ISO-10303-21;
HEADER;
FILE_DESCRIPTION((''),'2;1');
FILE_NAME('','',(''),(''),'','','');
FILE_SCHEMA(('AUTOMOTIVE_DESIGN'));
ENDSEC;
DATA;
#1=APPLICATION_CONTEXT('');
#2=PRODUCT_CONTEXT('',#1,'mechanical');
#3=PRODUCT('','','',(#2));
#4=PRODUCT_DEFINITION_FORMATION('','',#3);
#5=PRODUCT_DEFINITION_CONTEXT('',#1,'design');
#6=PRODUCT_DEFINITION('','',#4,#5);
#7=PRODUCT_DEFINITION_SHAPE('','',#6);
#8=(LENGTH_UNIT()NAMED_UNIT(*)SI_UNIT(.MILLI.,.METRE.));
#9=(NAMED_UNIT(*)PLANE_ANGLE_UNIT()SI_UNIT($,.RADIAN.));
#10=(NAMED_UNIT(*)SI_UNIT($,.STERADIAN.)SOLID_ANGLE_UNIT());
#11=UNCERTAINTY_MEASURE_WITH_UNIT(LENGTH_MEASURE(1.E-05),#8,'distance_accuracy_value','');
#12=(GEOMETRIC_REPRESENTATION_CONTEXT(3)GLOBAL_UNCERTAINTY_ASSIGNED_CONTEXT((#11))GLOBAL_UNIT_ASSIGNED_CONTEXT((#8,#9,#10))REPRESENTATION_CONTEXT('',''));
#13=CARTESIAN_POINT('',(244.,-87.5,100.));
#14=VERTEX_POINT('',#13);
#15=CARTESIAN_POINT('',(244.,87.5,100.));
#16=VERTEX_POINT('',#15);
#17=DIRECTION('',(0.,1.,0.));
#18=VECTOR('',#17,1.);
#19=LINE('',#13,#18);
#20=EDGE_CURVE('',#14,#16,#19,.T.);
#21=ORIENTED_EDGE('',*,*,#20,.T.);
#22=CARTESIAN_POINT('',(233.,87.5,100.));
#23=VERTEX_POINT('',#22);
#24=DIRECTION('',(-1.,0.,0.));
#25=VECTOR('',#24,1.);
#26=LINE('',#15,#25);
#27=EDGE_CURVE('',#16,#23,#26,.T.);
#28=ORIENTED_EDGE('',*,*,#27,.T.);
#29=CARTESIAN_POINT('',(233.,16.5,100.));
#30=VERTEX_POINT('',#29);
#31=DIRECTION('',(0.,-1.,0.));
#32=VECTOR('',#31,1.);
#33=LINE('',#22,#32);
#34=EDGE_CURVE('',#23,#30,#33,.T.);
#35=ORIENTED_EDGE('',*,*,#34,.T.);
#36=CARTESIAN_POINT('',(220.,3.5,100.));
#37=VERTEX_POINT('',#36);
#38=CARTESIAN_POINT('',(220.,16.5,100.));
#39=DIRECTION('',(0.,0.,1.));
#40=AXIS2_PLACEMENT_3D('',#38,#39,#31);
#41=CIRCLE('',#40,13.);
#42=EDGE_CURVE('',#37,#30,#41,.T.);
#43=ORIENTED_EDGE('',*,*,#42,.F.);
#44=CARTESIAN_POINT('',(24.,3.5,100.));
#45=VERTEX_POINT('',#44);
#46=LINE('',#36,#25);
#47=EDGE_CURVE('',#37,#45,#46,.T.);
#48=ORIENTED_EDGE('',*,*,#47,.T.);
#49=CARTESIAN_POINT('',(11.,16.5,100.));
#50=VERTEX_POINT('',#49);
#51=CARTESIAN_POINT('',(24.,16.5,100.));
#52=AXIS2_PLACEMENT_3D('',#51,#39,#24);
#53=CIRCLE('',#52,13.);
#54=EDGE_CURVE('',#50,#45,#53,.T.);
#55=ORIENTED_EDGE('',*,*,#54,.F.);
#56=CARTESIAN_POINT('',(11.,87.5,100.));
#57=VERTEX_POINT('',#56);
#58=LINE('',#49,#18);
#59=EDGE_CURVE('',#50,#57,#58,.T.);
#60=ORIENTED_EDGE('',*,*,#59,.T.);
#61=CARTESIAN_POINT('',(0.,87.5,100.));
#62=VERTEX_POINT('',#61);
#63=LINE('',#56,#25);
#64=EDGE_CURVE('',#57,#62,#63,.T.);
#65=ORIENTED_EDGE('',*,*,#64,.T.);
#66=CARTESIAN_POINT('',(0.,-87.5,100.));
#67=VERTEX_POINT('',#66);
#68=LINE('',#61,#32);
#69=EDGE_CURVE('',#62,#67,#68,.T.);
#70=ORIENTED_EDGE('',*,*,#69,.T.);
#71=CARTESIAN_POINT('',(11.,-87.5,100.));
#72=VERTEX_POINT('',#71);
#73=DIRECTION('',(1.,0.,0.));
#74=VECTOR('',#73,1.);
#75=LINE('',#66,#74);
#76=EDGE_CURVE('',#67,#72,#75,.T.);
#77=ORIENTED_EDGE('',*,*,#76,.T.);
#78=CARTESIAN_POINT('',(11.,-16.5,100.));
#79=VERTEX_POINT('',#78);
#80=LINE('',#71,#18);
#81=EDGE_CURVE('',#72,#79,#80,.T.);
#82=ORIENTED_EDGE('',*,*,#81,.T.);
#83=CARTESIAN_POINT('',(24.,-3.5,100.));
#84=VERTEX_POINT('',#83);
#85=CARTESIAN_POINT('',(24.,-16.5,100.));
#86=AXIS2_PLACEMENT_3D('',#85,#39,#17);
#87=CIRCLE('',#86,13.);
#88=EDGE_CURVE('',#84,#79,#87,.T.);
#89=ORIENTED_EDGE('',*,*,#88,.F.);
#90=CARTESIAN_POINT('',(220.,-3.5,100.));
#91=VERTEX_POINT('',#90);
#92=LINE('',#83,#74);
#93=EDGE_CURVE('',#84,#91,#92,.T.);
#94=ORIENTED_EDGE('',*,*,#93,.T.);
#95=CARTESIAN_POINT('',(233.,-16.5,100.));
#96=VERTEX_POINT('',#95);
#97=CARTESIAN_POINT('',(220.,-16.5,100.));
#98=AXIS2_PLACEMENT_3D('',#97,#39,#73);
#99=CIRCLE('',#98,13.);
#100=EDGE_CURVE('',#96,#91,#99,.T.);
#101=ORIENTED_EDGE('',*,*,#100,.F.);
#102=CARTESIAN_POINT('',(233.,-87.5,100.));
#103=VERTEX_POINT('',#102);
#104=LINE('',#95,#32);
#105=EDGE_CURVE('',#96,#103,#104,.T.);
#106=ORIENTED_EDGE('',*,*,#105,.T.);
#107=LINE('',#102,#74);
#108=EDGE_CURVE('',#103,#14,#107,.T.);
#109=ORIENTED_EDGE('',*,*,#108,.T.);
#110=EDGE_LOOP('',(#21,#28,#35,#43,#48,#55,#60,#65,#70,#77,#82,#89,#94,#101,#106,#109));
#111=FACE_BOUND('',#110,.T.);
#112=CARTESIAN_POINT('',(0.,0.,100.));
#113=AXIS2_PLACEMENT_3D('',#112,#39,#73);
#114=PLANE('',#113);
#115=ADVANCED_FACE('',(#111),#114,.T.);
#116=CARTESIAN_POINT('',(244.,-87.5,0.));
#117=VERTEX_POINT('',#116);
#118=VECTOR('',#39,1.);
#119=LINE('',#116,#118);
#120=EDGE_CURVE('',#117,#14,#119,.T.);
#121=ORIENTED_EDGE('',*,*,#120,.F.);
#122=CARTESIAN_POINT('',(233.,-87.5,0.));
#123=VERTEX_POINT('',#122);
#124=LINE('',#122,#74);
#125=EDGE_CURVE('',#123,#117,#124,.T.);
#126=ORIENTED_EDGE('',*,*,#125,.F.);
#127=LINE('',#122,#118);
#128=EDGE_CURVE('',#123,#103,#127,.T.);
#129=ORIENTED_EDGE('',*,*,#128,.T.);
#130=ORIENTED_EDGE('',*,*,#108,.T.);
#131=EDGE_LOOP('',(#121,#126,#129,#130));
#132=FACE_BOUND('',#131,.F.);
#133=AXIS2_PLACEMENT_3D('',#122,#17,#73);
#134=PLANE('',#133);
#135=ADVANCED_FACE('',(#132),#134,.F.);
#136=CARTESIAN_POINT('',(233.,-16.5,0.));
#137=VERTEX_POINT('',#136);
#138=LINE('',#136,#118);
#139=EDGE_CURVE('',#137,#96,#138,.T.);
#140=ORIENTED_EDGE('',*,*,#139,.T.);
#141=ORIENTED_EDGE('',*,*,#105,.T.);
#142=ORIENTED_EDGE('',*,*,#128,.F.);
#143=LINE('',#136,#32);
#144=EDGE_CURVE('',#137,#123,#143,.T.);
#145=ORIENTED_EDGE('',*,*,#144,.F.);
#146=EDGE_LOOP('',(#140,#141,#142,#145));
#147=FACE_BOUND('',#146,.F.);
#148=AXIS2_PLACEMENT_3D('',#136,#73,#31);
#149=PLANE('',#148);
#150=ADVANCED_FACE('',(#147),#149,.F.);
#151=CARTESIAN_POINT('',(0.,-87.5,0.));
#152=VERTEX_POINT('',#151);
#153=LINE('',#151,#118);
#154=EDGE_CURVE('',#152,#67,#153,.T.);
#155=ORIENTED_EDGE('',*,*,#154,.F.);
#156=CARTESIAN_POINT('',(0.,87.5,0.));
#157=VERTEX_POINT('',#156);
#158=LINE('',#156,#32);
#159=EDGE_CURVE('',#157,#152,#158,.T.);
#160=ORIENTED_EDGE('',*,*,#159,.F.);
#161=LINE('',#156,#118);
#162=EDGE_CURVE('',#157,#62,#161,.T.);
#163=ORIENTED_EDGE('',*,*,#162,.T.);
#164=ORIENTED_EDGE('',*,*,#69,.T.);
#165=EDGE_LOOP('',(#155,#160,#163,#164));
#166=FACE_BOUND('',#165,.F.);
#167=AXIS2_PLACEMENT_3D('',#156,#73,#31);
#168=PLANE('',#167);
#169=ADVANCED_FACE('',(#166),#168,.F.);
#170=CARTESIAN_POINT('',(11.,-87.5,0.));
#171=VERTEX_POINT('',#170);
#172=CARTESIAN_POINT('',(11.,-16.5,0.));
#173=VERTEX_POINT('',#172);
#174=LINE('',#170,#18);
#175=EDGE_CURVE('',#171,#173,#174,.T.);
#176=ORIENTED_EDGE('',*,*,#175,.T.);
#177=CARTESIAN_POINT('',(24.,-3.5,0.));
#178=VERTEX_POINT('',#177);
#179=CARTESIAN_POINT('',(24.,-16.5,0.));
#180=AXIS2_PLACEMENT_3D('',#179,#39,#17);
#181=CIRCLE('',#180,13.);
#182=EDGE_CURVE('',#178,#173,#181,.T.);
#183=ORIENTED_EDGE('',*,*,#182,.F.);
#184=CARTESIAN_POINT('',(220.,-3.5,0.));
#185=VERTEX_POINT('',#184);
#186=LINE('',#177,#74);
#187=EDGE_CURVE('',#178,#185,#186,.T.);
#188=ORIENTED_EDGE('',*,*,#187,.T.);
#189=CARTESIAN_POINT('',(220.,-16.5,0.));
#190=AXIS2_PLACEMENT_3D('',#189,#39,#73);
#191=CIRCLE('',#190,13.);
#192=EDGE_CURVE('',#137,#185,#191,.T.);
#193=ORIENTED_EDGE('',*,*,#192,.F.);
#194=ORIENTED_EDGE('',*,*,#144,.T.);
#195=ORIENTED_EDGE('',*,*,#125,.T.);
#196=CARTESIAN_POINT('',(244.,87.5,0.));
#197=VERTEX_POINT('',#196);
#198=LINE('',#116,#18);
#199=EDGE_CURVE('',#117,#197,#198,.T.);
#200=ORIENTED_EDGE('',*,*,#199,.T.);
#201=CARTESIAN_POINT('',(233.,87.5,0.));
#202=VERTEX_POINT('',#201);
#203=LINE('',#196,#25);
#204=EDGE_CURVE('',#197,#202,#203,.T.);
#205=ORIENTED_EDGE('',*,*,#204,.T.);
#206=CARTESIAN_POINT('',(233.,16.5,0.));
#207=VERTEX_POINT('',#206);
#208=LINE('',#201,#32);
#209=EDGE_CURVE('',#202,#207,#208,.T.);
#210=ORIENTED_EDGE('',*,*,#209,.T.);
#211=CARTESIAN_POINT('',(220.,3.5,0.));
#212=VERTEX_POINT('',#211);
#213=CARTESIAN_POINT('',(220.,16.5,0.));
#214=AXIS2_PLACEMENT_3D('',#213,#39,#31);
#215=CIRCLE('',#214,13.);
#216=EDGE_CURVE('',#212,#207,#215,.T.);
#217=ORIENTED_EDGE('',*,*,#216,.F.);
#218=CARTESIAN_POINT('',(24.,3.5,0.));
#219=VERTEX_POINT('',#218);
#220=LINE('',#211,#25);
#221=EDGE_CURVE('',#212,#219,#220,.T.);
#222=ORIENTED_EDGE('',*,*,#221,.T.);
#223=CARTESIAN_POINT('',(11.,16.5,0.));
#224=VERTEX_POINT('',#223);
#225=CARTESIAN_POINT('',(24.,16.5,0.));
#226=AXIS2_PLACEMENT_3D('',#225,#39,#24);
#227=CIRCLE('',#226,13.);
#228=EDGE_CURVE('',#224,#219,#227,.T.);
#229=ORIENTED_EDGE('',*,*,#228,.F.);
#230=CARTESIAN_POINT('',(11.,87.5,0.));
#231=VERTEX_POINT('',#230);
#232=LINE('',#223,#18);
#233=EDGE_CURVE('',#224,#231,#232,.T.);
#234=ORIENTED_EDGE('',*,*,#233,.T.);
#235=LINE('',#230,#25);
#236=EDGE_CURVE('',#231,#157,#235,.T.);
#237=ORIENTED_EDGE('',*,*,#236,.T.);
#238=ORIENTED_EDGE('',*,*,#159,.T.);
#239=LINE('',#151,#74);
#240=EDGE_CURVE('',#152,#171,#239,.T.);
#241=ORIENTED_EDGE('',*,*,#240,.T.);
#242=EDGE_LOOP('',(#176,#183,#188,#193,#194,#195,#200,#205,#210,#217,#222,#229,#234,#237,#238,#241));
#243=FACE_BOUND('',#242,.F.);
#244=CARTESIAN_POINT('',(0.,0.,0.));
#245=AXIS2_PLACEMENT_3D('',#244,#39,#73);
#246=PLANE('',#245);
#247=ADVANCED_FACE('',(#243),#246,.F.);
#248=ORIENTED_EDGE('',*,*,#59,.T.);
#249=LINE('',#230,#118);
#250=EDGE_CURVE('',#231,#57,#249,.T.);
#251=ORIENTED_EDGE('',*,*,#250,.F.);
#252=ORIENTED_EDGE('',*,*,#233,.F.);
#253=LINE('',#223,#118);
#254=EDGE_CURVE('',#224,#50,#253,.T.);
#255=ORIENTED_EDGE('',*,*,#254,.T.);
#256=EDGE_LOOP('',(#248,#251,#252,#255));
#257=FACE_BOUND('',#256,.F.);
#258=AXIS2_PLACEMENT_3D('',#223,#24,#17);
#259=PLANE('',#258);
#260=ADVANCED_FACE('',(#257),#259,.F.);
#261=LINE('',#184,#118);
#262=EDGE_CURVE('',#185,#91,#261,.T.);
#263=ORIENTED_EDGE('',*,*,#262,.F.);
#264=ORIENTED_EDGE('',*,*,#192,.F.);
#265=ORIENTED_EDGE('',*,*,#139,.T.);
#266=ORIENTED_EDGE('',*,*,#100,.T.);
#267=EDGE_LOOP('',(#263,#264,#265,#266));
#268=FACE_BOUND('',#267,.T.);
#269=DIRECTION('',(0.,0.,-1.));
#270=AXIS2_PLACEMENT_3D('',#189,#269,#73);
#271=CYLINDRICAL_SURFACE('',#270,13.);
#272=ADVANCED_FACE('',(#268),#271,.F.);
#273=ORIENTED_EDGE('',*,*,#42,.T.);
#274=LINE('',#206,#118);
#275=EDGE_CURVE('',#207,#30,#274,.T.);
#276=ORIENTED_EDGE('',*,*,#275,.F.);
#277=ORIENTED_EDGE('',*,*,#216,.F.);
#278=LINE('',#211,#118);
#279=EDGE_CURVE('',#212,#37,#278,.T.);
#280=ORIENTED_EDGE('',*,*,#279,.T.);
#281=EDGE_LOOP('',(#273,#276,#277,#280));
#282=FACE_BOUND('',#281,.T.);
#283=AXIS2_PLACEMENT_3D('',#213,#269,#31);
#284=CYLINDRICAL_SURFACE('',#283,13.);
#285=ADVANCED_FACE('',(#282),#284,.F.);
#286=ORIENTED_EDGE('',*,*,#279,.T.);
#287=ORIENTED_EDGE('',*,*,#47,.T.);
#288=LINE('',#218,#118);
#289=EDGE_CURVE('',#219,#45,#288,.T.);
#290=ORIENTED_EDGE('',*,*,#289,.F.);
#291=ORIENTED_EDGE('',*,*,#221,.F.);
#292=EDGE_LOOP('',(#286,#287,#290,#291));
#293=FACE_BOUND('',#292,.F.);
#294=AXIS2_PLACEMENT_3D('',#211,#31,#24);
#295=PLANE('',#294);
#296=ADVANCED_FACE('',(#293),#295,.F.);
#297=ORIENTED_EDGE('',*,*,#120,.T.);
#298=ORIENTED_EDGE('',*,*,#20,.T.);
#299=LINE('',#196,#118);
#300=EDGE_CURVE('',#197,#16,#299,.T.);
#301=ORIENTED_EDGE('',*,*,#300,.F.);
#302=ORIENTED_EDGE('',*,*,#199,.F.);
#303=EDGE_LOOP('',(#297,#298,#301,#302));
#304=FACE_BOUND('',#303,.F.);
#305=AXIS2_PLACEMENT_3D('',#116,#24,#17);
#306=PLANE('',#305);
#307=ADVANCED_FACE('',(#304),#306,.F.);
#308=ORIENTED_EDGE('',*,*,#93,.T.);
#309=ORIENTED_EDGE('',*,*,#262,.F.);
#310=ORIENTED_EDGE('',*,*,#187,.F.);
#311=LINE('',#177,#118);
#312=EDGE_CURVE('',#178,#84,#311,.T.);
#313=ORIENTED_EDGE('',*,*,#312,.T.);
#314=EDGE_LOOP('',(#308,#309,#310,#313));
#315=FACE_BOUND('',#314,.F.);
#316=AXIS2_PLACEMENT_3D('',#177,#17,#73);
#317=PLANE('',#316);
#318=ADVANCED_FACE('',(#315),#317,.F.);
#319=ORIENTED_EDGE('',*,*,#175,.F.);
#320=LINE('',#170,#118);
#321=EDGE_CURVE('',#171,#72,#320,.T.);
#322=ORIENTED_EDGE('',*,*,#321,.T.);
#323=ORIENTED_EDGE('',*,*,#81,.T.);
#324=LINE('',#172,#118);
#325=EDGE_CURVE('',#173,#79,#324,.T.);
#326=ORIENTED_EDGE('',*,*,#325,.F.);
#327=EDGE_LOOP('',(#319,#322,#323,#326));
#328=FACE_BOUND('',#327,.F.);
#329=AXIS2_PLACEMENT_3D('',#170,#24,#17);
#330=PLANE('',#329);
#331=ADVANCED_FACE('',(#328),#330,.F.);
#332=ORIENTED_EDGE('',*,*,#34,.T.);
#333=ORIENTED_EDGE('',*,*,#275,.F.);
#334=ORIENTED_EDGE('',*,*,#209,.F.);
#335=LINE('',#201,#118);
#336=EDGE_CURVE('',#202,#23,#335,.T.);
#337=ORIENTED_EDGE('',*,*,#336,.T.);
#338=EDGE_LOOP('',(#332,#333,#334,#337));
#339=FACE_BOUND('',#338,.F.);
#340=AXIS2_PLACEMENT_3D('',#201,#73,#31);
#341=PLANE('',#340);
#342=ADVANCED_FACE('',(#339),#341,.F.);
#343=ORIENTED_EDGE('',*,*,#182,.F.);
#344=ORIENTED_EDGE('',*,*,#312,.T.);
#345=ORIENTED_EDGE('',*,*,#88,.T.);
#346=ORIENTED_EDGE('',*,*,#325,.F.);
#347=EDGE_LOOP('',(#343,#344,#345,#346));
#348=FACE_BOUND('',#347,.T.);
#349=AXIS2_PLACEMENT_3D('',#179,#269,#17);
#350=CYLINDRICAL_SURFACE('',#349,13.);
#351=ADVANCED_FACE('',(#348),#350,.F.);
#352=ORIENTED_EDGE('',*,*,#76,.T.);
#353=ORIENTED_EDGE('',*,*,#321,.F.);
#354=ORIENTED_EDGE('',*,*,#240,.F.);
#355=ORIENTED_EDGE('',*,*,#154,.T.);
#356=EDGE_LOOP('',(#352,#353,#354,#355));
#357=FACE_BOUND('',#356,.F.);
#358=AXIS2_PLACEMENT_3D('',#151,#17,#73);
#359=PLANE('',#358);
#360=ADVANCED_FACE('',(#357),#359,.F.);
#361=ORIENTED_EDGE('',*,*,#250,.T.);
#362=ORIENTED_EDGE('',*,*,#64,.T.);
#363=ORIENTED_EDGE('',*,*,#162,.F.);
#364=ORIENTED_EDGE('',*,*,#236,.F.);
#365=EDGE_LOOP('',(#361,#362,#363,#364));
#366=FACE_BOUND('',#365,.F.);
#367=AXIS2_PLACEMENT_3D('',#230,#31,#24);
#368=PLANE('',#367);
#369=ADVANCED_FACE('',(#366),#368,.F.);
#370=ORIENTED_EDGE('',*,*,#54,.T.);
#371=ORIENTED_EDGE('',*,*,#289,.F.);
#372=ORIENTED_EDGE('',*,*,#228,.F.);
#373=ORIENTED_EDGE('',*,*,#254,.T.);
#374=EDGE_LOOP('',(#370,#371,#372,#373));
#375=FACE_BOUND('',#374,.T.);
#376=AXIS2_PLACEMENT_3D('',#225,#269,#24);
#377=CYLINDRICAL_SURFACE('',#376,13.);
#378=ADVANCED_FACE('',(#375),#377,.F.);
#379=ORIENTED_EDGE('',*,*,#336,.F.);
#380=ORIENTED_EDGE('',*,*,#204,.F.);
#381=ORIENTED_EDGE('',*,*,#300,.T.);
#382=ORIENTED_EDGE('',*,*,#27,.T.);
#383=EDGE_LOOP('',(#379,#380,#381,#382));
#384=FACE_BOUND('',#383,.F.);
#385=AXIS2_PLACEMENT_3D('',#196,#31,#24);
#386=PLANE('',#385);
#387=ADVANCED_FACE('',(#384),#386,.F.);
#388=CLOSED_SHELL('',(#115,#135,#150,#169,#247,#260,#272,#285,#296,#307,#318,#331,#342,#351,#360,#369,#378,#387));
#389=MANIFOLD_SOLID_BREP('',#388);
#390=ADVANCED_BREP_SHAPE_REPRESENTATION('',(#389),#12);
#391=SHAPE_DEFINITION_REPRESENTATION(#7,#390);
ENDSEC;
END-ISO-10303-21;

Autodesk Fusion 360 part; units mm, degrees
sketch "スケッチ1" plane through (0, 0, 0) normal (0, 0, 1) x (1, 0, 0)
  line L0 (24, -3.5) -> (220, -3.5)
  line L1 (220, 3.5) -> (24, 3.5)
  line L2 (11, 16.5) -> (11, 87.5)
  line L3 (0, 87.5) -> (0, -87.5)
  line L4 (11, -87.5) -> (11, -16.5)
  line L5 (0, -87.5) -> (11, -87.5)
  line L6 (11, 87.5) -> (0, 87.5)
  line L7 (244, -87.5) -> (244, 87.5)
  line L8 (233, 87.5) -> (233, 16.5)
  line L9 (233, -16.5) -> (233, -87.5)
  line L10 (233, -87.5) -> (244, -87.5)
  line L11 (244, 87.5) -> (233, 87.5)
  arc A0 (24, -3.5) -> (11, -16.5) centre (24, -16.5) ccw
  arc A1 (11, 16.5) -> (24, 3.5) centre (24, 16.5) ccw
  arc A2 (220, 3.5) -> (233, 16.5) centre (220, 16.5) ccw
  arc A3 (233, -16.5) -> (220, -3.5) centre (220, -16.5) ccw
extrude "押し出し1" add sketch "スケッチ1" along normal blind 100
